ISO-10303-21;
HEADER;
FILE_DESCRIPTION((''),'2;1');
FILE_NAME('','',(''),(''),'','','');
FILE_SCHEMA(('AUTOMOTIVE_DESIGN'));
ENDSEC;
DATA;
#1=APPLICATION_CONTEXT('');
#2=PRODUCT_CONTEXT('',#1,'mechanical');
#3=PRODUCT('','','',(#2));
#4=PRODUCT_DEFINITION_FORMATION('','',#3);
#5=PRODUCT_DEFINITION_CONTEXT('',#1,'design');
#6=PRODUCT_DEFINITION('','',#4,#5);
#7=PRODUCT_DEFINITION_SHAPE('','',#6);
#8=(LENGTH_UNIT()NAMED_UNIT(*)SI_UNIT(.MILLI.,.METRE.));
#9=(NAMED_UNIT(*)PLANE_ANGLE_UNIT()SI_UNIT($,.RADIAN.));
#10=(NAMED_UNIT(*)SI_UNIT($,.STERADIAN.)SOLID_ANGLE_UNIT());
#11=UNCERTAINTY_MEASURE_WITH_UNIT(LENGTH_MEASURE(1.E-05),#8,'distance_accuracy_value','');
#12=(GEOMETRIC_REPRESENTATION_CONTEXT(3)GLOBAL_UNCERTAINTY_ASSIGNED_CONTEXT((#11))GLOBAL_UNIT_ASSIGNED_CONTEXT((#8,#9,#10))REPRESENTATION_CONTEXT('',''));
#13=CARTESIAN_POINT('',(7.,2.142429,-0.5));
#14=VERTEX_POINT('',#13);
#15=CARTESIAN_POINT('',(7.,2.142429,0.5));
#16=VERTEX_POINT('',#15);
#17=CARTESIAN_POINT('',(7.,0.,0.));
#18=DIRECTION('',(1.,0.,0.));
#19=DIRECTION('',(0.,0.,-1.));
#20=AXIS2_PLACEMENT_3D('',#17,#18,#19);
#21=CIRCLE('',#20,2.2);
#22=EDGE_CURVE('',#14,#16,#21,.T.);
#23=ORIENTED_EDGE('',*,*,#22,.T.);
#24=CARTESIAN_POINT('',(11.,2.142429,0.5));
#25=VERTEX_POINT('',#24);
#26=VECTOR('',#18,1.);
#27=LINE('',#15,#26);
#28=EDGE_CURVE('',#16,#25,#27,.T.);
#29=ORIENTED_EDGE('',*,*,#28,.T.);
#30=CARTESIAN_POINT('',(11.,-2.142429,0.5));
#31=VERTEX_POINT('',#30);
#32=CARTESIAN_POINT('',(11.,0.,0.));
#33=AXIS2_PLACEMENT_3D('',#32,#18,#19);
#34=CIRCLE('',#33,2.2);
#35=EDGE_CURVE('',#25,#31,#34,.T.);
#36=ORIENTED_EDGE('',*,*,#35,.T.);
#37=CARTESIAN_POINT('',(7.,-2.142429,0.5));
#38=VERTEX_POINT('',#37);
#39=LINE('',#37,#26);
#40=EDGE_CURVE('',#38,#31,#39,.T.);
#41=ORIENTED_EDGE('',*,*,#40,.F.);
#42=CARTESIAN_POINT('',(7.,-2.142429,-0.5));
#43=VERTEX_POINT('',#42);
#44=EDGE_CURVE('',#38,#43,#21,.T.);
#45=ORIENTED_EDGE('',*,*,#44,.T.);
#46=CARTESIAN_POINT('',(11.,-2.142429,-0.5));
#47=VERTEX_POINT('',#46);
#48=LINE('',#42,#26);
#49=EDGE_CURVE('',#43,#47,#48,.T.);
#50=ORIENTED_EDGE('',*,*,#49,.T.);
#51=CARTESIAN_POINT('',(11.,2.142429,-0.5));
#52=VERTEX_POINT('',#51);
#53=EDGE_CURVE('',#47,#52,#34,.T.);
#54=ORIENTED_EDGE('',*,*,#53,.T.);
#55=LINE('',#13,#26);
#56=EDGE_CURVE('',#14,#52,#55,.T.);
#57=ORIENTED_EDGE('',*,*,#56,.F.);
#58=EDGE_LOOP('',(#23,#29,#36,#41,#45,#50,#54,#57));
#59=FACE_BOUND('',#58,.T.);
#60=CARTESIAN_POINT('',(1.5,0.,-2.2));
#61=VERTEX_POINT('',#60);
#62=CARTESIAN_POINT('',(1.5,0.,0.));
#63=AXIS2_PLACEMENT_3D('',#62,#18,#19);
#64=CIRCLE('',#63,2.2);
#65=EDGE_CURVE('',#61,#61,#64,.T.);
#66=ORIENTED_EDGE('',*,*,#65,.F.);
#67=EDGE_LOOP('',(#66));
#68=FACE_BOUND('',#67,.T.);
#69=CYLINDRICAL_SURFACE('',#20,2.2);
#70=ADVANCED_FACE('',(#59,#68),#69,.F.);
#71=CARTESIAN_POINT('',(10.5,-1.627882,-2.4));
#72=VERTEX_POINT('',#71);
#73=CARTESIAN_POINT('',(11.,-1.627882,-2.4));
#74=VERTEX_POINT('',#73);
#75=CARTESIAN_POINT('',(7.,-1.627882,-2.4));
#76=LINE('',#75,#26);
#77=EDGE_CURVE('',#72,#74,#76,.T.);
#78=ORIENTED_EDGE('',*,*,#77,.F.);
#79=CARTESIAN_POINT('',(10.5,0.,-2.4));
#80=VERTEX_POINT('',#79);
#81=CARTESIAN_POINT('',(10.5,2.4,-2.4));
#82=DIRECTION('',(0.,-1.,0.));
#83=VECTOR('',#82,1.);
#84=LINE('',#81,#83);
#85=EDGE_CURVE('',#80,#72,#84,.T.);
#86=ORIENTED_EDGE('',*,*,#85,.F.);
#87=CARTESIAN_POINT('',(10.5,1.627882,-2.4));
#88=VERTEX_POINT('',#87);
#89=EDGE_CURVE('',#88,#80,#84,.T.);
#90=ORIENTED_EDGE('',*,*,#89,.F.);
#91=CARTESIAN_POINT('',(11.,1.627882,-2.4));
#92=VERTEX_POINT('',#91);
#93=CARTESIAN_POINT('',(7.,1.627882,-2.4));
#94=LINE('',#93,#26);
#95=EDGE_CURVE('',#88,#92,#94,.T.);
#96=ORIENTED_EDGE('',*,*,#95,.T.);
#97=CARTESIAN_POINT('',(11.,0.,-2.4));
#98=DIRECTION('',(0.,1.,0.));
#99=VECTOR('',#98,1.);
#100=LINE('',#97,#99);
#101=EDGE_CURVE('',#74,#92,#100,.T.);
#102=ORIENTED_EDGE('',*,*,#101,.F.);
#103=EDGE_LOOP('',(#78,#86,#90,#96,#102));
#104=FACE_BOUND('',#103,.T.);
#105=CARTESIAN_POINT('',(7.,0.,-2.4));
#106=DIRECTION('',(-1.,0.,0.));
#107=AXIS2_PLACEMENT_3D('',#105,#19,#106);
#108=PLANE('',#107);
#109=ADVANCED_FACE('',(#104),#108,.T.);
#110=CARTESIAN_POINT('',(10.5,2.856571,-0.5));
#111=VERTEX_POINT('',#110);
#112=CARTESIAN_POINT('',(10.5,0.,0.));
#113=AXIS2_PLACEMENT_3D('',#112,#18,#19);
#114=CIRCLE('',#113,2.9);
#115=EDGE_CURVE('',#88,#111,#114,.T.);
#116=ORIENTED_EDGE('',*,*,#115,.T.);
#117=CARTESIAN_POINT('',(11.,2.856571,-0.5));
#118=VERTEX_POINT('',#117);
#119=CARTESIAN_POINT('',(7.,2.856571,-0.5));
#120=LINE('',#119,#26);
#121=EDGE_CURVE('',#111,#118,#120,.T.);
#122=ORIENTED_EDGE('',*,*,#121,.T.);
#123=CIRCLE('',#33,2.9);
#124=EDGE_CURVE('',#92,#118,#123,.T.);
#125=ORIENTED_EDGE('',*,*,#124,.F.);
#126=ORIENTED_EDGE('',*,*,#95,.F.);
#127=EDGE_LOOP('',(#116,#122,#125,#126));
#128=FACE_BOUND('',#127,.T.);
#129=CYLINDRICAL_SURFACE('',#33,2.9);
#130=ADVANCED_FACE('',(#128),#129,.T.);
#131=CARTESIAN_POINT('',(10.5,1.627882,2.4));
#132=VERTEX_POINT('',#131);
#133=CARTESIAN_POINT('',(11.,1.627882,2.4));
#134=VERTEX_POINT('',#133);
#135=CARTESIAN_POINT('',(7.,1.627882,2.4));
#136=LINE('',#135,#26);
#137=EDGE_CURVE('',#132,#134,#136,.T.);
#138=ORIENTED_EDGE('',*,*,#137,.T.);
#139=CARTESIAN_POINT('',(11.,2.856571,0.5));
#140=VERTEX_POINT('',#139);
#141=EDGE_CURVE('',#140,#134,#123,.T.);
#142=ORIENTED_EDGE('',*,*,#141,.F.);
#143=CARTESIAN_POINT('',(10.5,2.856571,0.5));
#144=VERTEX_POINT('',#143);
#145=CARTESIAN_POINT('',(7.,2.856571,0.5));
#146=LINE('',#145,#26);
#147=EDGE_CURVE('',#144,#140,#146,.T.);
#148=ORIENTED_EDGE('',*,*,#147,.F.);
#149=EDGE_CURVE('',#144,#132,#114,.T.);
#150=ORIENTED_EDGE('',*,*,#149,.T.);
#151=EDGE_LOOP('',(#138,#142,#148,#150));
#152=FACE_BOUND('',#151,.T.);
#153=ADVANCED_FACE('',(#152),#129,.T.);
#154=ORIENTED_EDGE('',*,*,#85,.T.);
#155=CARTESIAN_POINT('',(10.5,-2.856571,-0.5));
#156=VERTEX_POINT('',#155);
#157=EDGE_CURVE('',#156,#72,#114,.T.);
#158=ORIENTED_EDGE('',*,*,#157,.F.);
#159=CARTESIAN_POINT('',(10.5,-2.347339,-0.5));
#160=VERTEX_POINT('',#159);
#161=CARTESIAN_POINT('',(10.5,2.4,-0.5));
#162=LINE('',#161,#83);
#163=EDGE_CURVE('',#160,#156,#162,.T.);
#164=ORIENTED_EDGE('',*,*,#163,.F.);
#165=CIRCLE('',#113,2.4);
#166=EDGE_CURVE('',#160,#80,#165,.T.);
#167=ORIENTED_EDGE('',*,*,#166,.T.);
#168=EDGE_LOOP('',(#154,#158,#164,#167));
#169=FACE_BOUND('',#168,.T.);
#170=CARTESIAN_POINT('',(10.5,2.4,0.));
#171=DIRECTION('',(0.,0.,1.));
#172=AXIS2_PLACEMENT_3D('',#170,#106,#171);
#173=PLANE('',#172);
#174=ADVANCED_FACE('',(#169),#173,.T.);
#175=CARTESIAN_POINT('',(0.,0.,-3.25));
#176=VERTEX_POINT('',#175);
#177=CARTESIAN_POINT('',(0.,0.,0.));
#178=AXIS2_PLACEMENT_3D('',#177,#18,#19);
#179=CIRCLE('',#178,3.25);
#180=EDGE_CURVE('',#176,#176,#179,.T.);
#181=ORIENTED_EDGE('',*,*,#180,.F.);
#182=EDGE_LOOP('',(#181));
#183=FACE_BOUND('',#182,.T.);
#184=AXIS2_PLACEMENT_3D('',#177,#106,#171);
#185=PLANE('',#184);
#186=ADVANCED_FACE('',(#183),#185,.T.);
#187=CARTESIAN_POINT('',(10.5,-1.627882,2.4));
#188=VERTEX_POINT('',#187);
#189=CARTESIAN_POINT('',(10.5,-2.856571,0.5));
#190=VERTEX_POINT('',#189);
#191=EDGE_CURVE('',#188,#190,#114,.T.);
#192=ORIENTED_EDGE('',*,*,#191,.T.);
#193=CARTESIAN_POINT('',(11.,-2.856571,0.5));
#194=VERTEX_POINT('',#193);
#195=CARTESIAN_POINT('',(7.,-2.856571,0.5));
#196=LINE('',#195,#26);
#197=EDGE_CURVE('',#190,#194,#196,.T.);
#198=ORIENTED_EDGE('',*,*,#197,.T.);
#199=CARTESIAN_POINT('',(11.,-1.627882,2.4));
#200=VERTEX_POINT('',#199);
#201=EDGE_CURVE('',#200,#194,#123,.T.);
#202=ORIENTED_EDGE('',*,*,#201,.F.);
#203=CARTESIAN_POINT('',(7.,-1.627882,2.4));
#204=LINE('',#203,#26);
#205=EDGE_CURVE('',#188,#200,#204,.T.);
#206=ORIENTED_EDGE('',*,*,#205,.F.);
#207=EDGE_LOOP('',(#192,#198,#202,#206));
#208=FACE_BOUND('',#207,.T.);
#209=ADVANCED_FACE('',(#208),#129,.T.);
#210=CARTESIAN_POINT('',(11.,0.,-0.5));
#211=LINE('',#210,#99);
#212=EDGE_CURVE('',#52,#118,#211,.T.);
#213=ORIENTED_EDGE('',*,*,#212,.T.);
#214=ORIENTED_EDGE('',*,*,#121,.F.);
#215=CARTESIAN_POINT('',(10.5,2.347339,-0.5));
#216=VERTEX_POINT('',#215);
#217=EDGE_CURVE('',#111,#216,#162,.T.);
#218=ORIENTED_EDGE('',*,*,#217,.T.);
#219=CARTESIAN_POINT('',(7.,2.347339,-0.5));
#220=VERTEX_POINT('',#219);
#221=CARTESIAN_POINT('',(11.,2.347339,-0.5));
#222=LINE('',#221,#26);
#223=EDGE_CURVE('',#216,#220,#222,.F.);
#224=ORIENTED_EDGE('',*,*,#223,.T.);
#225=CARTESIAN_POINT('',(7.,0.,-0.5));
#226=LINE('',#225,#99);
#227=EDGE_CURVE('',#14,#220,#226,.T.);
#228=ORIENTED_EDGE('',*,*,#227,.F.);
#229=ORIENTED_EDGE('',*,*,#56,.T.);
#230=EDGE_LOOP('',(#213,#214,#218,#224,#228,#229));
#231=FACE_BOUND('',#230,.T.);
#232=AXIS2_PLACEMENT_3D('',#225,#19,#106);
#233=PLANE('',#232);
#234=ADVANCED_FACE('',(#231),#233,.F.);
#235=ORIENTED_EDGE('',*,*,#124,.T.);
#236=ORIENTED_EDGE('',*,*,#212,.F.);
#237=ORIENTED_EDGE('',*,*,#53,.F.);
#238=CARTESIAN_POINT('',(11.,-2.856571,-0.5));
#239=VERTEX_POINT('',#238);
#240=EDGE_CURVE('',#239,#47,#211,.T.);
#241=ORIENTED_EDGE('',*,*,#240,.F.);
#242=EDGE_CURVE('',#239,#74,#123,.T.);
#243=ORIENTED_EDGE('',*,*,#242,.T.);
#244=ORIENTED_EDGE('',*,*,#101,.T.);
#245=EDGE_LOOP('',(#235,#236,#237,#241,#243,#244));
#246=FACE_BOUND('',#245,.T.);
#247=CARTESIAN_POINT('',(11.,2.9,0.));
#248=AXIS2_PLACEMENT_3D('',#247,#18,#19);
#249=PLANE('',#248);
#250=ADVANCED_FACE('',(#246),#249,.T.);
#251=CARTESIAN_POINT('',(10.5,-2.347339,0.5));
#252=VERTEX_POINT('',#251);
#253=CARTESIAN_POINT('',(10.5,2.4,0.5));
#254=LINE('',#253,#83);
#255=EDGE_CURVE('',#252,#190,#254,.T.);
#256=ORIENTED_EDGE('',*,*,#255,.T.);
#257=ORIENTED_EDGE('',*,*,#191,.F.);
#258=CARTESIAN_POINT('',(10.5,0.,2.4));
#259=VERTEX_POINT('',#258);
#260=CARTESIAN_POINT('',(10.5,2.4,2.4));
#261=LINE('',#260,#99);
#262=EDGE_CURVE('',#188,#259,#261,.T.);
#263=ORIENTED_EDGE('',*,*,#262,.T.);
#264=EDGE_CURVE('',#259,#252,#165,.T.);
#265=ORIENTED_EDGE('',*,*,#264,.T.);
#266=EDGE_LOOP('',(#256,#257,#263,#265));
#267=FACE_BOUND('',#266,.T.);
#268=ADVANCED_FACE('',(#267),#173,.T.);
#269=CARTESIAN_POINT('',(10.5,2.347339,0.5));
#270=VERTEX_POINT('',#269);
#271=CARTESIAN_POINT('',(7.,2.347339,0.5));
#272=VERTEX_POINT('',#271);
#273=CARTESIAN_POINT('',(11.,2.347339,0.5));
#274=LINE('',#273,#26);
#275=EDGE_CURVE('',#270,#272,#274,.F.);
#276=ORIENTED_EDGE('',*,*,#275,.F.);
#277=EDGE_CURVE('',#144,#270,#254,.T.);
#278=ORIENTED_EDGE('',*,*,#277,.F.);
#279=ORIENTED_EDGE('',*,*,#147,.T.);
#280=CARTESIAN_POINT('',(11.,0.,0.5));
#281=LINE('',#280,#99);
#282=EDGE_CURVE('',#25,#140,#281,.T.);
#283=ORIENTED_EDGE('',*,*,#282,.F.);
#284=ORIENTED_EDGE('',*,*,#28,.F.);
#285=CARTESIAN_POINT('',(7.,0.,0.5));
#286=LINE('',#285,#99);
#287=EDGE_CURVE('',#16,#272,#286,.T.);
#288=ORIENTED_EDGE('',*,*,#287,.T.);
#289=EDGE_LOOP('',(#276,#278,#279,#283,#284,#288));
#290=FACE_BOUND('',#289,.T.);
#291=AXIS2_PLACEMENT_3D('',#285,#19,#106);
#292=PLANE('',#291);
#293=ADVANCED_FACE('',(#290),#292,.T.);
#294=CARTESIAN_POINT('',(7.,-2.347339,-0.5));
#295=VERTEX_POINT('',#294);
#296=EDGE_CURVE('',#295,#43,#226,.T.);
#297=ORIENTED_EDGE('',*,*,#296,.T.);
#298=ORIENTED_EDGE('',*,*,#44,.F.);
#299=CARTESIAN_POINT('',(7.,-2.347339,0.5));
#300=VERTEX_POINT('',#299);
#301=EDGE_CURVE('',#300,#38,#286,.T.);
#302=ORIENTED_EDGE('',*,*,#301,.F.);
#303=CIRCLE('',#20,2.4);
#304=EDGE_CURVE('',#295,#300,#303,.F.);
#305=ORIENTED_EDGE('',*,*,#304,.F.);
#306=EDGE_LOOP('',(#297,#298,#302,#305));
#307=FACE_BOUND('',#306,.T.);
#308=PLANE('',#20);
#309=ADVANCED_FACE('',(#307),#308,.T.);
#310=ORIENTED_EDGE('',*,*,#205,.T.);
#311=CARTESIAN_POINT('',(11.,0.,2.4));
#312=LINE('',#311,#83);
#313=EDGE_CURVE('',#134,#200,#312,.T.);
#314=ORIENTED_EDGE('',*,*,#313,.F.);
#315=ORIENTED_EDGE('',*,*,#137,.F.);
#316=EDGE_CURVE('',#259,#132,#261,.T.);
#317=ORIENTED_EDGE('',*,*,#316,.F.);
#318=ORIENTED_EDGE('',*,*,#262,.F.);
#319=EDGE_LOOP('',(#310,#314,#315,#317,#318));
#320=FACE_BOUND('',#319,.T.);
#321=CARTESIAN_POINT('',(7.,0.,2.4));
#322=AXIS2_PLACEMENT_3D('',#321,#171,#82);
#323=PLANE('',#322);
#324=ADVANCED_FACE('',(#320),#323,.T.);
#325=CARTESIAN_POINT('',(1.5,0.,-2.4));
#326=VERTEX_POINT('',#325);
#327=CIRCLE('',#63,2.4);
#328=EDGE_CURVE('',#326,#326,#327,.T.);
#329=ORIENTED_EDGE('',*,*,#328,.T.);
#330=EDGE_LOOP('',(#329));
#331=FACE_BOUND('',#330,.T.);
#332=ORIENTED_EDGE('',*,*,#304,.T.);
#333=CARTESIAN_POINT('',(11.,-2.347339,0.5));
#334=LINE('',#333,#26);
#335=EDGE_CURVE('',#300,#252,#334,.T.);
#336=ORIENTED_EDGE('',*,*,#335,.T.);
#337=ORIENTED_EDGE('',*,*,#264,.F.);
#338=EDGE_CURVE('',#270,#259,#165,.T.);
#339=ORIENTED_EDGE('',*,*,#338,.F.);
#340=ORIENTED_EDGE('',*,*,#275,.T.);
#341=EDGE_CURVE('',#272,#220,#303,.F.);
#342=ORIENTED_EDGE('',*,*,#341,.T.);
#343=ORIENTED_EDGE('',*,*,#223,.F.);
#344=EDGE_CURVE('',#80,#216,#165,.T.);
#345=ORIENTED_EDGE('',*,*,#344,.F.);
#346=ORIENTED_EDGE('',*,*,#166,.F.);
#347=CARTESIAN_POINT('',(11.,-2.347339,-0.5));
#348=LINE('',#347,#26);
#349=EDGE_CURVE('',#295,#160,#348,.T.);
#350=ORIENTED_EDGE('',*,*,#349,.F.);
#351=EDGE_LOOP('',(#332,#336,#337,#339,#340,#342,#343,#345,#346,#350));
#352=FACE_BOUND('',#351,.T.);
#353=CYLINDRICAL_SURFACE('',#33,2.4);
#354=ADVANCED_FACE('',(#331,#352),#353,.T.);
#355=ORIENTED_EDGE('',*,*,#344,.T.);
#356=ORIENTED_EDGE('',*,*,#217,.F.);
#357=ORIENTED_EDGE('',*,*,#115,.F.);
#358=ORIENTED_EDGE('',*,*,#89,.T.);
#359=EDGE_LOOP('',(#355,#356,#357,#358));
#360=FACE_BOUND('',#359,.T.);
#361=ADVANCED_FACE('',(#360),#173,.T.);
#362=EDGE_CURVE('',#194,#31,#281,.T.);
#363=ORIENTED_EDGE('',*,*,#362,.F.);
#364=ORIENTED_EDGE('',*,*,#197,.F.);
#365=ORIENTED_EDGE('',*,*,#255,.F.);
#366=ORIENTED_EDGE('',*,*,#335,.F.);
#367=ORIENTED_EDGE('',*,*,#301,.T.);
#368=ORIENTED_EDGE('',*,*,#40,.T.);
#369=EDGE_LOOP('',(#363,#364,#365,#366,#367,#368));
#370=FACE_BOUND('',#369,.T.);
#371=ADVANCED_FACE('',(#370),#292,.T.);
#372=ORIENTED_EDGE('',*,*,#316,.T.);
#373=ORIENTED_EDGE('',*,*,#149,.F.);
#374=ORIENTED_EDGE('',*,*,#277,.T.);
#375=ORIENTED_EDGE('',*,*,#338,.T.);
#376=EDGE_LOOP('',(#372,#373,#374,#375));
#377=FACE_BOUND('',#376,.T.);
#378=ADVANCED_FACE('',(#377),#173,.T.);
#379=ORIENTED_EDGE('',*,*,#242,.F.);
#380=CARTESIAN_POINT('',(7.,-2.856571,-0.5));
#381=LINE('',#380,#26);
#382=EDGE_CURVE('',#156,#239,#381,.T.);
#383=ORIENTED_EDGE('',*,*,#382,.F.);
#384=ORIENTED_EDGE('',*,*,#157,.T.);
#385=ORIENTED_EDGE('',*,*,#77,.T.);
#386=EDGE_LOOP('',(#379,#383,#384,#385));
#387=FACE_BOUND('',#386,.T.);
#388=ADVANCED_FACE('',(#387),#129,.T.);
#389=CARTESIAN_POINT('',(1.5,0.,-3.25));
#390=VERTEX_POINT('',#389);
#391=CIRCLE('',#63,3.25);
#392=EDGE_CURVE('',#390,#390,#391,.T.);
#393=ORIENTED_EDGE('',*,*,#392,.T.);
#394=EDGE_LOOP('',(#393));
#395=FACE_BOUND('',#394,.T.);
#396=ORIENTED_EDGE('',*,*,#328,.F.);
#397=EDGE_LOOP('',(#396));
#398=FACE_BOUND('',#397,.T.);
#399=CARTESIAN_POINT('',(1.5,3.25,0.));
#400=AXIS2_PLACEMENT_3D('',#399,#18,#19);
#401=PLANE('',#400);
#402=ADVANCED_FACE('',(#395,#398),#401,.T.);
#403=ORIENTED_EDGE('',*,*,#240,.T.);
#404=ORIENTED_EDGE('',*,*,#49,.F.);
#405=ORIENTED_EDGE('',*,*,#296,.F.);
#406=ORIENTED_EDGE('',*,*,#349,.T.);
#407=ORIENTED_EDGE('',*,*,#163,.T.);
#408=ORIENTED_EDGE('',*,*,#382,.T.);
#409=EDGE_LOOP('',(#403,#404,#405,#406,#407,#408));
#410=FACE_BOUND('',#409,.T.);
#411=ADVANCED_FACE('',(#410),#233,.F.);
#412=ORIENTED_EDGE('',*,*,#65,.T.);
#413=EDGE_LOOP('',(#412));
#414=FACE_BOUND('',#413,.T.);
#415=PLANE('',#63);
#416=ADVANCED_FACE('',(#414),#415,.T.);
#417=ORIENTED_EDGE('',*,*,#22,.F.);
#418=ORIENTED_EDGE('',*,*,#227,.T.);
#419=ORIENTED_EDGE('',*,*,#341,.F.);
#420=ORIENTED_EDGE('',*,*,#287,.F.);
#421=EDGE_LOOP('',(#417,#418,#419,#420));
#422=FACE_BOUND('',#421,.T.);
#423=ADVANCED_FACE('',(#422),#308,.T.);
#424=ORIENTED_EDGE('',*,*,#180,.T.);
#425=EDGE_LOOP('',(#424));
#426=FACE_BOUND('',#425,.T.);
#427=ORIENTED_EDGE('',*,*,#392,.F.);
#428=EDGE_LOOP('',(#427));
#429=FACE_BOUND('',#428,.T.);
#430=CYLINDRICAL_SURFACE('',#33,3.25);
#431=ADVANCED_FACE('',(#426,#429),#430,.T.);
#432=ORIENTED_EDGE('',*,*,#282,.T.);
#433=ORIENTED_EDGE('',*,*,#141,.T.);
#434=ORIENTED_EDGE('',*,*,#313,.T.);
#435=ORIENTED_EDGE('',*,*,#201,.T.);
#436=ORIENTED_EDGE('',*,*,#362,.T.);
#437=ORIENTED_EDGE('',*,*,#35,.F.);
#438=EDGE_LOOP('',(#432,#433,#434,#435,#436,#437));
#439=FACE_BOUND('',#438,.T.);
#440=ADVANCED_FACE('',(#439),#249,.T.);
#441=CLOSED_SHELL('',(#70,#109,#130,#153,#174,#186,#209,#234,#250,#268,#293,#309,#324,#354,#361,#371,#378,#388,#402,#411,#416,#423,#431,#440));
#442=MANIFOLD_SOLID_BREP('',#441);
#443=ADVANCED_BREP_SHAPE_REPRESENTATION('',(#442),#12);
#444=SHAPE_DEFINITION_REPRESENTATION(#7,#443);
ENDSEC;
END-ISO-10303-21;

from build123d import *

# Parameters (mm, degrees)
CUT_EXTRUDE6_DEPTH = 4
SKETCH5_R          = 2.2
CUT_EXTRUDE7_DEPTH = 5.5


with BuildPart() as part:
    # Sketch3 → Revolve5 (revolve)
    with BuildSketch(Plane.XY, mode=Mode.PRIVATE) as revolve5_sk:
        Polygon((0, 0), (0, 3.25), (1.5, 3.25), (1.5, 2.4), (10.5, 2.4), (10.5, 2.9), (11, 2.9), (11, 0), align=None)
    revolve(revolve5_sk.sketch.rotate(Axis((11, 0, 0), (-1, 0, 0)), 90), axis=Axis((11, 0, 0), (-1, 0, 0)))

    # Sketch4 → Cut-Extrude6 (cut)
    with BuildSketch(Plane(origin=(11, 0, 0), x_dir=(0, 0, -1), z_dir=(1, 0, 0))):
        with BuildLine():
            ThreePointArc((-0.5, -2.856571371), (-0.250941252, -2.889122443), (-3e-09, -2.9))
            ThreePointArc((-3e-09, -2.9), (0.25094125, -2.889122443), (0.5, -2.856571371))
            Line((0.5, -2.856571371), (0.5, -2.142428529))
            ThreePointArc((0.5, -2.142428529), (0, -2.2), (-0.5, -2.142428529))
            Line((-0.5, -2.142428529), (-0.5, -2.856571371))
        make_face()
        with BuildLine():
            Line((-0.5, 2.856571371), (-0.5, 2.142428529))
            ThreePointArc((-0.5, 2.142428529), (0, 2.2), (0.5, 2.142428529))
            Line((0.5, 2.142428529), (0.5, 2.856571371))
            ThreePointArc((0.5, 2.856571371), (0.250941244, 2.889122443), (-1.4e-08, 2.9))
            ThreePointArc((-1.4e-08, 2.9), (-0.250941258, 2.889122442), (-0.5, 2.856571371))
        make_face()
        with BuildLine():
            Line((-0.5, 2.142428529), (-0.5, -2.142428529))
            ThreePointArc((-0.5, -2.142428529), (0, -2.2), (0.5, -2.142428529))
            Line((0.5, -2.142428529), (0.5, 2.142428529))
            ThreePointArc((0.5, 2.142428529), (0, 2.2), (-0.5, 2.142428529))
        make_face()
        with BuildLine():
            ThreePointArc((-0.5, 2.142428529), (-2.2, 0), (-0.5, -2.142428529))
            Line((-0.5, -2.142428529), (-0.5, 2.142428529))
        make_face()
        with BuildLine():
            Line((0.5, 2.142428529), (0.5, -2.142428529))
            ThreePointArc((0.5, -2.142428529), (1.723368794, -1.367479433), (2.2, 0))
            ThreePointArc((2.2, 0), (1.723368794, 1.367479433), (0.5, 2.142428529))
        make_face()
        with BuildLine():
            Line((2.4, 1.62788206), (2.4, -1.62788206))
            ThreePointArc((2.4, -1.62788206), (2.772183255, -0.851469318), (2.9, 0))
            ThreePointArc((2.9, 0), (2.772183255, 0.851469318), (2.4, 1.62788206))
        make_face()
        with BuildLine():
            ThreePointArc((-2.9, -6e-09), (-2.772183254, -0.851469321), (-2.4, -1.62788206))
            Line((-2.4, -1.62788206), (-2.4, 1.62788206))
            ThreePointArc((-2.4, 1.62788206), (-2.772183256, 0.851469315), (-2.9, -6e-09))
        make_face()
    extrude(amount=-CUT_EXTRUDE6_DEPTH, mode=Mode.SUBTRACT)

    # Sketch5 → Cut-Extrude7 (cut)
    with BuildSketch(Plane(origin=(7, 0, 0), x_dir=(0, 0, -1), z_dir=(1, 0, 0))):
        Circle(SKETCH5_R)
    extrude(amount=-CUT_EXTRUDE7_DEPTH, mode=Mode.SUBTRACT)


solid = part.part
